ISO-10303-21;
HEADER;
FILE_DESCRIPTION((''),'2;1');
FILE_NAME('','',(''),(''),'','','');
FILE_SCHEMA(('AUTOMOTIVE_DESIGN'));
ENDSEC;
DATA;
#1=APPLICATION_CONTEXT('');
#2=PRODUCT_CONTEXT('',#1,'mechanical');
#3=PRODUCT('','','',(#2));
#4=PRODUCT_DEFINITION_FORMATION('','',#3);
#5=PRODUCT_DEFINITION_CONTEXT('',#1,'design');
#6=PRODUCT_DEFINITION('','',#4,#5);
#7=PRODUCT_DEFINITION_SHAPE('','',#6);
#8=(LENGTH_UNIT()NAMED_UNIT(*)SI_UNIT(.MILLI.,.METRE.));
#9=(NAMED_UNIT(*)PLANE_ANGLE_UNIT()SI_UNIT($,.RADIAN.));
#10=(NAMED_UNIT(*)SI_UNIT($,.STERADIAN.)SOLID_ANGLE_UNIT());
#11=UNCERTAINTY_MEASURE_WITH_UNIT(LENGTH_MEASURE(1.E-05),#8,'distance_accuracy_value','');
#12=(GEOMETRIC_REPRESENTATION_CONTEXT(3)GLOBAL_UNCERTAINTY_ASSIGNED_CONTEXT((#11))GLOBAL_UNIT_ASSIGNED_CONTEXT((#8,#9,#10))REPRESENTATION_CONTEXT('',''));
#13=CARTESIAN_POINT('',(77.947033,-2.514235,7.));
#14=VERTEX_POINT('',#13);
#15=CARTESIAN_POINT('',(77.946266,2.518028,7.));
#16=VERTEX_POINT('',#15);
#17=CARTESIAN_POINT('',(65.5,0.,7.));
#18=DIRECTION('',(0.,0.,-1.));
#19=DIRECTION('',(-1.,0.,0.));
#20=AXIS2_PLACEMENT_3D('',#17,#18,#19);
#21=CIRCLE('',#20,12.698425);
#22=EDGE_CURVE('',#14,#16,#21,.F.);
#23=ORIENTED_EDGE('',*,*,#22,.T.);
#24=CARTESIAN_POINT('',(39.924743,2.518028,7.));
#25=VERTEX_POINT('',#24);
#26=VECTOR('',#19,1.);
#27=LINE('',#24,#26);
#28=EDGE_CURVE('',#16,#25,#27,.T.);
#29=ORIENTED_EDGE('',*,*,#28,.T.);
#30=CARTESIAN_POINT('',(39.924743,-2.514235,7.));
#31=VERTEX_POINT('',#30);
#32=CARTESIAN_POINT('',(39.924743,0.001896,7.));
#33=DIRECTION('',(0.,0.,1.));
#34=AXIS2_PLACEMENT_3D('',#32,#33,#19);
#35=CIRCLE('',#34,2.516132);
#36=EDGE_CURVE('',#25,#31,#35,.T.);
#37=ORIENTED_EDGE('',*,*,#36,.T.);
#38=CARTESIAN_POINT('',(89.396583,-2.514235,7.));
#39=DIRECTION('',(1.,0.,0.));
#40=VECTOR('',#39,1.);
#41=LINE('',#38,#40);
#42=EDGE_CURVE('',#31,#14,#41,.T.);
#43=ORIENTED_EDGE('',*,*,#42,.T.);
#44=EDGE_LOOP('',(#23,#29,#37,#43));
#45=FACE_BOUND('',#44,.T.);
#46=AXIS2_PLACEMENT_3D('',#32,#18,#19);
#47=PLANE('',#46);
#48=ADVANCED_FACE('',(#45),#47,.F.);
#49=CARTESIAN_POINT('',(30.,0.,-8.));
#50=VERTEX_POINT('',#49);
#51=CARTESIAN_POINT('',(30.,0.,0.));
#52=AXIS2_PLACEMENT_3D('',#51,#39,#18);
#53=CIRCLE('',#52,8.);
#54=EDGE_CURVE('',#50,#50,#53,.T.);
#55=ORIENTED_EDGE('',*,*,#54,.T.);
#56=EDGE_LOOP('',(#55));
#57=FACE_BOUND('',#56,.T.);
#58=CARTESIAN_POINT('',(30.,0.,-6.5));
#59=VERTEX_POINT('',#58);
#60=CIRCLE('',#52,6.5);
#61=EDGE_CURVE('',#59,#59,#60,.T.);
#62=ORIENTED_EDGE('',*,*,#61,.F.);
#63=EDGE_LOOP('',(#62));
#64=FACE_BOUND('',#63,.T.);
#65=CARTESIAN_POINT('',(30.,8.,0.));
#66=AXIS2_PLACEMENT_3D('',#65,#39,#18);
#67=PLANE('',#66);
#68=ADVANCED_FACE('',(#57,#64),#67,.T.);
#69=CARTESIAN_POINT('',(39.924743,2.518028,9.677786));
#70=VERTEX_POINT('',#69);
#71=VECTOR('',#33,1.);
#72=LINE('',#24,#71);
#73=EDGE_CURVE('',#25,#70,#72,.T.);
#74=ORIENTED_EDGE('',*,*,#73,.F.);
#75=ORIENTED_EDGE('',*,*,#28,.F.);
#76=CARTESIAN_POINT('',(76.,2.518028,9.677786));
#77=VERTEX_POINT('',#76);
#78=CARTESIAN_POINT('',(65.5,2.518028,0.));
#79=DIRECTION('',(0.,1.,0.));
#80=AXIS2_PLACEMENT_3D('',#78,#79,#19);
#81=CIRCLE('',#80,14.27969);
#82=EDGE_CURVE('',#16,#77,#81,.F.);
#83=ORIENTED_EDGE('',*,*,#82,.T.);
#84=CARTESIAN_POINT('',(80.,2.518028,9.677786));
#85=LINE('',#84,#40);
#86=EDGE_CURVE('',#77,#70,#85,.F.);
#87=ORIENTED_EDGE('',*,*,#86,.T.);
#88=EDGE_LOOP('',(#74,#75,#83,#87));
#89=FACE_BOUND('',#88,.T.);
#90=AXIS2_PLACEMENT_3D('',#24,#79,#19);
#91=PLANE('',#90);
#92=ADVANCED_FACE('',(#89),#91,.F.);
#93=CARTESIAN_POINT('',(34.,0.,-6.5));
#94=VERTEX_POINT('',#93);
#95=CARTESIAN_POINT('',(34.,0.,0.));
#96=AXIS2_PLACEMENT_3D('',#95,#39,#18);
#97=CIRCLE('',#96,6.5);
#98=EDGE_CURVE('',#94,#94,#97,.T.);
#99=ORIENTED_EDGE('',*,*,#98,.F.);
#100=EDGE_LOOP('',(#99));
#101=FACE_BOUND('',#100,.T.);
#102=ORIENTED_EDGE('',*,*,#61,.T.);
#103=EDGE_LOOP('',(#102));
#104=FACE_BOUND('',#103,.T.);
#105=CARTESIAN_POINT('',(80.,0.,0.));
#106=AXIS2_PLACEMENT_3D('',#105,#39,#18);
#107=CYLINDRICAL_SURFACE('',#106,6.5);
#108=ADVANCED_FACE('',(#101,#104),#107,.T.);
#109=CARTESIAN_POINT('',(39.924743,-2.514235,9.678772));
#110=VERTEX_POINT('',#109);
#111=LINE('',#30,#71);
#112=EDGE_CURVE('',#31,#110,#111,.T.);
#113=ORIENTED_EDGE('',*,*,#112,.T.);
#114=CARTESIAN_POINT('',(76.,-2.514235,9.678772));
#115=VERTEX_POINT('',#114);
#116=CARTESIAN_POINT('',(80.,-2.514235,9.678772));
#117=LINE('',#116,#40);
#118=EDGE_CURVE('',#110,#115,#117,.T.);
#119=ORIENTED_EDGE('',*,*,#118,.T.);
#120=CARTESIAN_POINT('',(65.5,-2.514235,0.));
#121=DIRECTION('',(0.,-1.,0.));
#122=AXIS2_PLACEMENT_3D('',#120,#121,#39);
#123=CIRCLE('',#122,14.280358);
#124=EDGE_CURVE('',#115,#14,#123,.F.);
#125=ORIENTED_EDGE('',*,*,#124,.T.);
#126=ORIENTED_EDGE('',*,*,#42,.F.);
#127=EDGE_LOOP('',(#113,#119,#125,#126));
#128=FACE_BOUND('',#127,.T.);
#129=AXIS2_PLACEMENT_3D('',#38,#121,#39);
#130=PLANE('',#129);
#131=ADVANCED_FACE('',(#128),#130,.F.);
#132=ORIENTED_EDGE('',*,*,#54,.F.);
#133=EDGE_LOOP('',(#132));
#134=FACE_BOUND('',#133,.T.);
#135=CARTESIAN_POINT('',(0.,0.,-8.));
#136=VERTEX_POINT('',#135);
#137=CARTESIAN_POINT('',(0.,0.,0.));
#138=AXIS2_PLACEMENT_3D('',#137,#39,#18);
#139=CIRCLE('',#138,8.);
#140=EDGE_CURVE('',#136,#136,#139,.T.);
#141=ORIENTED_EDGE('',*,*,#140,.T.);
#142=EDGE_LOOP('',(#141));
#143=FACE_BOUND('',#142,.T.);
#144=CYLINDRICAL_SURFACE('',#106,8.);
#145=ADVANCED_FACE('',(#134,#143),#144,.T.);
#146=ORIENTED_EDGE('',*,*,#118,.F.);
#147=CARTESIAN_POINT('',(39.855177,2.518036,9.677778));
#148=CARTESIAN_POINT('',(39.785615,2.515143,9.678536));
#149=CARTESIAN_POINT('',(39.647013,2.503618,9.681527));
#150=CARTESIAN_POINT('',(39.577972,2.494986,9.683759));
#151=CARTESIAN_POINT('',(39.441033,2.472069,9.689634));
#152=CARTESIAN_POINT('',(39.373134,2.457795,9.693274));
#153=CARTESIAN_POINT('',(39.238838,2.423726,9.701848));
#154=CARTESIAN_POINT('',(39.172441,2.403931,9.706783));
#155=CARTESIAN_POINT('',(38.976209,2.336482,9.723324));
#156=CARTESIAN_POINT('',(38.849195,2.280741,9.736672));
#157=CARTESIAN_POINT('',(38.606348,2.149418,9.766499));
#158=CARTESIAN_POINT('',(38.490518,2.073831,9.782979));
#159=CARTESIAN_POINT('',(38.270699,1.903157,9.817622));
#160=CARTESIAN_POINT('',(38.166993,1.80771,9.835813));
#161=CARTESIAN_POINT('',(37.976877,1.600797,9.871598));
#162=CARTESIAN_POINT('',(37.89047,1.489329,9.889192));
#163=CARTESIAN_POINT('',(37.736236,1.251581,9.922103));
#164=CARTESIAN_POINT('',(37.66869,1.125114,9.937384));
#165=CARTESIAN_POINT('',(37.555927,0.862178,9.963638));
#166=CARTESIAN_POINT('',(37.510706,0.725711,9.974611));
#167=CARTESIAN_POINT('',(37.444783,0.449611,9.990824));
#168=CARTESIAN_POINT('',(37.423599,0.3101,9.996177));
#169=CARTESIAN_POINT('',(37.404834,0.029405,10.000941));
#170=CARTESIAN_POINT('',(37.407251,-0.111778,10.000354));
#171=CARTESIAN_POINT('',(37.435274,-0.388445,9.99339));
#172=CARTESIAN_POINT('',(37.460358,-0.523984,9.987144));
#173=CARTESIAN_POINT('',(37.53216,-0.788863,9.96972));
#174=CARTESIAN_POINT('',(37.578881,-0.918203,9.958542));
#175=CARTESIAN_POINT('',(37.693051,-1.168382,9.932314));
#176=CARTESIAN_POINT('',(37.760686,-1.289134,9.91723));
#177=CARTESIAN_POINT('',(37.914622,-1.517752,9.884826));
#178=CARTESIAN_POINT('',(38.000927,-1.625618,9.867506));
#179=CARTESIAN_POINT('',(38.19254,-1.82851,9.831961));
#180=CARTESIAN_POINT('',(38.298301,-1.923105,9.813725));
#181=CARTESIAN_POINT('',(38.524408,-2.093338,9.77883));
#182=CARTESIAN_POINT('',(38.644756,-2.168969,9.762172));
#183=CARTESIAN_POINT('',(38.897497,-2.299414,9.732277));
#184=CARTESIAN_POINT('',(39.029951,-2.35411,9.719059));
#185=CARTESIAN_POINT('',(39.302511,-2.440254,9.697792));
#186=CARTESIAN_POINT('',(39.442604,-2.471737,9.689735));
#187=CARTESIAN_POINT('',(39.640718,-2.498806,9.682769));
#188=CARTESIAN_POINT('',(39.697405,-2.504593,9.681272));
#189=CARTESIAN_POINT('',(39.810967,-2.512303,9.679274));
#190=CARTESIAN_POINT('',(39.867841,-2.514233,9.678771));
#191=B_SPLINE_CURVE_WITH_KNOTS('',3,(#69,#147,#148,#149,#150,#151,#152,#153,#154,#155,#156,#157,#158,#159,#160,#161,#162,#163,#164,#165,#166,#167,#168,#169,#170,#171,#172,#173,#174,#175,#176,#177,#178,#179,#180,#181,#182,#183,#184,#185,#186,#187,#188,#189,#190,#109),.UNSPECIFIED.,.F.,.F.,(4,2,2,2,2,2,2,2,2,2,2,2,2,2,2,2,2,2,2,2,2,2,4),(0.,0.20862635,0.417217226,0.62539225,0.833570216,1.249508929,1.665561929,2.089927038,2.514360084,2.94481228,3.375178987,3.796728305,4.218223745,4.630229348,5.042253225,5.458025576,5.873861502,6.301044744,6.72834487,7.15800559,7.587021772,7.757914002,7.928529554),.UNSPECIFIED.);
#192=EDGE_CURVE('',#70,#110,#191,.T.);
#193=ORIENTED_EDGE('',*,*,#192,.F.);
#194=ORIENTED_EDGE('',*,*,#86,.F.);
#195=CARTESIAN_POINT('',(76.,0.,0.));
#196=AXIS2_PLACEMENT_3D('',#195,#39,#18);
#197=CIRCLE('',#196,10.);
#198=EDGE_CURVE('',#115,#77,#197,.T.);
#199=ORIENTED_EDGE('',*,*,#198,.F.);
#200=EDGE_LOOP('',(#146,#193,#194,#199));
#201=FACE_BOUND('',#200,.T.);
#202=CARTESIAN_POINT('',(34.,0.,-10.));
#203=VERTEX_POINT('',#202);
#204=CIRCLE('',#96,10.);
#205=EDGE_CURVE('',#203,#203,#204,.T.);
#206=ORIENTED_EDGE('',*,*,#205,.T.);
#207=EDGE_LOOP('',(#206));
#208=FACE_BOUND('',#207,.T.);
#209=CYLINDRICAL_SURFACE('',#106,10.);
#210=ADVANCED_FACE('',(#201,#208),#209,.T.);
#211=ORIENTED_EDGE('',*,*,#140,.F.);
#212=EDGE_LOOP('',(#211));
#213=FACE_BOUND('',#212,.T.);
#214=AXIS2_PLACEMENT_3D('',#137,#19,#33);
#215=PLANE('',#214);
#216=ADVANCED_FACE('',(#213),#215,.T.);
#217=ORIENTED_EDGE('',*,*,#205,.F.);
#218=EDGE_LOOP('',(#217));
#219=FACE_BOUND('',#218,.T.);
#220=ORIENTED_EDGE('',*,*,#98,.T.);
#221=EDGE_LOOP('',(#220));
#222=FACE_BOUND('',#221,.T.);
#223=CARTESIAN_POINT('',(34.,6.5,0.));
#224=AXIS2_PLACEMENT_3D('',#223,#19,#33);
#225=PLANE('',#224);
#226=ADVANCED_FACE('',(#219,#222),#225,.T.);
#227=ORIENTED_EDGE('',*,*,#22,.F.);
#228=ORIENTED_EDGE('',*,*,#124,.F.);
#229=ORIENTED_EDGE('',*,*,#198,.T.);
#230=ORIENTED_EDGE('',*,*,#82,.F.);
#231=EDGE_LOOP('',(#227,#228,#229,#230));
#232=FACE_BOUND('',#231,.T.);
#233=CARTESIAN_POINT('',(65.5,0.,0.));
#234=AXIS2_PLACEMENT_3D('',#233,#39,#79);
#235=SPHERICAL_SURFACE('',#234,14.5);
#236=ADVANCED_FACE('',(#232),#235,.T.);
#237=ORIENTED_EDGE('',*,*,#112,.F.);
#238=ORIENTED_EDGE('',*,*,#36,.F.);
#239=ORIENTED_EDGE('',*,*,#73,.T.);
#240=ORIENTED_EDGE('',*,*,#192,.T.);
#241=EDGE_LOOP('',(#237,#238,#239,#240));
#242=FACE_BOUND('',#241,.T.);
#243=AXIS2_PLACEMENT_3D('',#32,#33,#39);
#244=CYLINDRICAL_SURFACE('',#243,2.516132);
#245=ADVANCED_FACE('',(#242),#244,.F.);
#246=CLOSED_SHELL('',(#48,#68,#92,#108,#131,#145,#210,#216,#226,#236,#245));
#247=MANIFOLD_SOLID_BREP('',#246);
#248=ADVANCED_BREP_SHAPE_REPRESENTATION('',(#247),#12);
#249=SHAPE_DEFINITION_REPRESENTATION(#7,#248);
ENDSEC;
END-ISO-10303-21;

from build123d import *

# Parameters (mm, degrees)
ENL_V_MAT_EXTRU_1_DEPTH = 3


with BuildPart() as part:
    # Esquisse1 → Révolution1 (revolve)
    with BuildSketch(Plane.XY, mode=Mode.PRIVATE) as r_volution1_sk:
        with BuildLine():
            Line((80, 0), (0, 0))
            Line((0, 0), (0, 8))
            Line((0, 8), (30, 8))
            Line((30, 8), (30, 6.5))
            Line((30, 6.5), (34, 6.5))
            Line((34, 6.5), (34, 10))
            Line((34, 10), (76, 10))
            ThreePointArc((76, 10), (78.962912018, 5.385164807), (80, 0))
        make_face()
    revolve(r_volution1_sk.sketch.rotate(Axis((80, 0, 0), (-1, 0, 0)), 90), axis=Axis((80, 0, 0), (-1, 0, 0)))

    # Esquisse2 → Enlèv. mat.-Extru.1 (cut)
    with BuildSketch(Plane.XY.offset(10)):
        with BuildLine():
            Line((39.924742885, 2.51802815), (89.396583104, 2.51802815))
            Line((89.396583104, 2.51802815), (89.396583104, -2.514235284))
            Line((89.396583104, -2.514235284), (39.924742885, -2.514235284))
            ThreePointArc((39.924742885, -2.514235284), (37.408611168, 0.001896433), (39.924742885, 2.51802815))
        make_face()
    extrude(amount=-ENL_V_MAT_EXTRU_1_DEPTH, mode=Mode.SUBTRACT)


solid = part.part
